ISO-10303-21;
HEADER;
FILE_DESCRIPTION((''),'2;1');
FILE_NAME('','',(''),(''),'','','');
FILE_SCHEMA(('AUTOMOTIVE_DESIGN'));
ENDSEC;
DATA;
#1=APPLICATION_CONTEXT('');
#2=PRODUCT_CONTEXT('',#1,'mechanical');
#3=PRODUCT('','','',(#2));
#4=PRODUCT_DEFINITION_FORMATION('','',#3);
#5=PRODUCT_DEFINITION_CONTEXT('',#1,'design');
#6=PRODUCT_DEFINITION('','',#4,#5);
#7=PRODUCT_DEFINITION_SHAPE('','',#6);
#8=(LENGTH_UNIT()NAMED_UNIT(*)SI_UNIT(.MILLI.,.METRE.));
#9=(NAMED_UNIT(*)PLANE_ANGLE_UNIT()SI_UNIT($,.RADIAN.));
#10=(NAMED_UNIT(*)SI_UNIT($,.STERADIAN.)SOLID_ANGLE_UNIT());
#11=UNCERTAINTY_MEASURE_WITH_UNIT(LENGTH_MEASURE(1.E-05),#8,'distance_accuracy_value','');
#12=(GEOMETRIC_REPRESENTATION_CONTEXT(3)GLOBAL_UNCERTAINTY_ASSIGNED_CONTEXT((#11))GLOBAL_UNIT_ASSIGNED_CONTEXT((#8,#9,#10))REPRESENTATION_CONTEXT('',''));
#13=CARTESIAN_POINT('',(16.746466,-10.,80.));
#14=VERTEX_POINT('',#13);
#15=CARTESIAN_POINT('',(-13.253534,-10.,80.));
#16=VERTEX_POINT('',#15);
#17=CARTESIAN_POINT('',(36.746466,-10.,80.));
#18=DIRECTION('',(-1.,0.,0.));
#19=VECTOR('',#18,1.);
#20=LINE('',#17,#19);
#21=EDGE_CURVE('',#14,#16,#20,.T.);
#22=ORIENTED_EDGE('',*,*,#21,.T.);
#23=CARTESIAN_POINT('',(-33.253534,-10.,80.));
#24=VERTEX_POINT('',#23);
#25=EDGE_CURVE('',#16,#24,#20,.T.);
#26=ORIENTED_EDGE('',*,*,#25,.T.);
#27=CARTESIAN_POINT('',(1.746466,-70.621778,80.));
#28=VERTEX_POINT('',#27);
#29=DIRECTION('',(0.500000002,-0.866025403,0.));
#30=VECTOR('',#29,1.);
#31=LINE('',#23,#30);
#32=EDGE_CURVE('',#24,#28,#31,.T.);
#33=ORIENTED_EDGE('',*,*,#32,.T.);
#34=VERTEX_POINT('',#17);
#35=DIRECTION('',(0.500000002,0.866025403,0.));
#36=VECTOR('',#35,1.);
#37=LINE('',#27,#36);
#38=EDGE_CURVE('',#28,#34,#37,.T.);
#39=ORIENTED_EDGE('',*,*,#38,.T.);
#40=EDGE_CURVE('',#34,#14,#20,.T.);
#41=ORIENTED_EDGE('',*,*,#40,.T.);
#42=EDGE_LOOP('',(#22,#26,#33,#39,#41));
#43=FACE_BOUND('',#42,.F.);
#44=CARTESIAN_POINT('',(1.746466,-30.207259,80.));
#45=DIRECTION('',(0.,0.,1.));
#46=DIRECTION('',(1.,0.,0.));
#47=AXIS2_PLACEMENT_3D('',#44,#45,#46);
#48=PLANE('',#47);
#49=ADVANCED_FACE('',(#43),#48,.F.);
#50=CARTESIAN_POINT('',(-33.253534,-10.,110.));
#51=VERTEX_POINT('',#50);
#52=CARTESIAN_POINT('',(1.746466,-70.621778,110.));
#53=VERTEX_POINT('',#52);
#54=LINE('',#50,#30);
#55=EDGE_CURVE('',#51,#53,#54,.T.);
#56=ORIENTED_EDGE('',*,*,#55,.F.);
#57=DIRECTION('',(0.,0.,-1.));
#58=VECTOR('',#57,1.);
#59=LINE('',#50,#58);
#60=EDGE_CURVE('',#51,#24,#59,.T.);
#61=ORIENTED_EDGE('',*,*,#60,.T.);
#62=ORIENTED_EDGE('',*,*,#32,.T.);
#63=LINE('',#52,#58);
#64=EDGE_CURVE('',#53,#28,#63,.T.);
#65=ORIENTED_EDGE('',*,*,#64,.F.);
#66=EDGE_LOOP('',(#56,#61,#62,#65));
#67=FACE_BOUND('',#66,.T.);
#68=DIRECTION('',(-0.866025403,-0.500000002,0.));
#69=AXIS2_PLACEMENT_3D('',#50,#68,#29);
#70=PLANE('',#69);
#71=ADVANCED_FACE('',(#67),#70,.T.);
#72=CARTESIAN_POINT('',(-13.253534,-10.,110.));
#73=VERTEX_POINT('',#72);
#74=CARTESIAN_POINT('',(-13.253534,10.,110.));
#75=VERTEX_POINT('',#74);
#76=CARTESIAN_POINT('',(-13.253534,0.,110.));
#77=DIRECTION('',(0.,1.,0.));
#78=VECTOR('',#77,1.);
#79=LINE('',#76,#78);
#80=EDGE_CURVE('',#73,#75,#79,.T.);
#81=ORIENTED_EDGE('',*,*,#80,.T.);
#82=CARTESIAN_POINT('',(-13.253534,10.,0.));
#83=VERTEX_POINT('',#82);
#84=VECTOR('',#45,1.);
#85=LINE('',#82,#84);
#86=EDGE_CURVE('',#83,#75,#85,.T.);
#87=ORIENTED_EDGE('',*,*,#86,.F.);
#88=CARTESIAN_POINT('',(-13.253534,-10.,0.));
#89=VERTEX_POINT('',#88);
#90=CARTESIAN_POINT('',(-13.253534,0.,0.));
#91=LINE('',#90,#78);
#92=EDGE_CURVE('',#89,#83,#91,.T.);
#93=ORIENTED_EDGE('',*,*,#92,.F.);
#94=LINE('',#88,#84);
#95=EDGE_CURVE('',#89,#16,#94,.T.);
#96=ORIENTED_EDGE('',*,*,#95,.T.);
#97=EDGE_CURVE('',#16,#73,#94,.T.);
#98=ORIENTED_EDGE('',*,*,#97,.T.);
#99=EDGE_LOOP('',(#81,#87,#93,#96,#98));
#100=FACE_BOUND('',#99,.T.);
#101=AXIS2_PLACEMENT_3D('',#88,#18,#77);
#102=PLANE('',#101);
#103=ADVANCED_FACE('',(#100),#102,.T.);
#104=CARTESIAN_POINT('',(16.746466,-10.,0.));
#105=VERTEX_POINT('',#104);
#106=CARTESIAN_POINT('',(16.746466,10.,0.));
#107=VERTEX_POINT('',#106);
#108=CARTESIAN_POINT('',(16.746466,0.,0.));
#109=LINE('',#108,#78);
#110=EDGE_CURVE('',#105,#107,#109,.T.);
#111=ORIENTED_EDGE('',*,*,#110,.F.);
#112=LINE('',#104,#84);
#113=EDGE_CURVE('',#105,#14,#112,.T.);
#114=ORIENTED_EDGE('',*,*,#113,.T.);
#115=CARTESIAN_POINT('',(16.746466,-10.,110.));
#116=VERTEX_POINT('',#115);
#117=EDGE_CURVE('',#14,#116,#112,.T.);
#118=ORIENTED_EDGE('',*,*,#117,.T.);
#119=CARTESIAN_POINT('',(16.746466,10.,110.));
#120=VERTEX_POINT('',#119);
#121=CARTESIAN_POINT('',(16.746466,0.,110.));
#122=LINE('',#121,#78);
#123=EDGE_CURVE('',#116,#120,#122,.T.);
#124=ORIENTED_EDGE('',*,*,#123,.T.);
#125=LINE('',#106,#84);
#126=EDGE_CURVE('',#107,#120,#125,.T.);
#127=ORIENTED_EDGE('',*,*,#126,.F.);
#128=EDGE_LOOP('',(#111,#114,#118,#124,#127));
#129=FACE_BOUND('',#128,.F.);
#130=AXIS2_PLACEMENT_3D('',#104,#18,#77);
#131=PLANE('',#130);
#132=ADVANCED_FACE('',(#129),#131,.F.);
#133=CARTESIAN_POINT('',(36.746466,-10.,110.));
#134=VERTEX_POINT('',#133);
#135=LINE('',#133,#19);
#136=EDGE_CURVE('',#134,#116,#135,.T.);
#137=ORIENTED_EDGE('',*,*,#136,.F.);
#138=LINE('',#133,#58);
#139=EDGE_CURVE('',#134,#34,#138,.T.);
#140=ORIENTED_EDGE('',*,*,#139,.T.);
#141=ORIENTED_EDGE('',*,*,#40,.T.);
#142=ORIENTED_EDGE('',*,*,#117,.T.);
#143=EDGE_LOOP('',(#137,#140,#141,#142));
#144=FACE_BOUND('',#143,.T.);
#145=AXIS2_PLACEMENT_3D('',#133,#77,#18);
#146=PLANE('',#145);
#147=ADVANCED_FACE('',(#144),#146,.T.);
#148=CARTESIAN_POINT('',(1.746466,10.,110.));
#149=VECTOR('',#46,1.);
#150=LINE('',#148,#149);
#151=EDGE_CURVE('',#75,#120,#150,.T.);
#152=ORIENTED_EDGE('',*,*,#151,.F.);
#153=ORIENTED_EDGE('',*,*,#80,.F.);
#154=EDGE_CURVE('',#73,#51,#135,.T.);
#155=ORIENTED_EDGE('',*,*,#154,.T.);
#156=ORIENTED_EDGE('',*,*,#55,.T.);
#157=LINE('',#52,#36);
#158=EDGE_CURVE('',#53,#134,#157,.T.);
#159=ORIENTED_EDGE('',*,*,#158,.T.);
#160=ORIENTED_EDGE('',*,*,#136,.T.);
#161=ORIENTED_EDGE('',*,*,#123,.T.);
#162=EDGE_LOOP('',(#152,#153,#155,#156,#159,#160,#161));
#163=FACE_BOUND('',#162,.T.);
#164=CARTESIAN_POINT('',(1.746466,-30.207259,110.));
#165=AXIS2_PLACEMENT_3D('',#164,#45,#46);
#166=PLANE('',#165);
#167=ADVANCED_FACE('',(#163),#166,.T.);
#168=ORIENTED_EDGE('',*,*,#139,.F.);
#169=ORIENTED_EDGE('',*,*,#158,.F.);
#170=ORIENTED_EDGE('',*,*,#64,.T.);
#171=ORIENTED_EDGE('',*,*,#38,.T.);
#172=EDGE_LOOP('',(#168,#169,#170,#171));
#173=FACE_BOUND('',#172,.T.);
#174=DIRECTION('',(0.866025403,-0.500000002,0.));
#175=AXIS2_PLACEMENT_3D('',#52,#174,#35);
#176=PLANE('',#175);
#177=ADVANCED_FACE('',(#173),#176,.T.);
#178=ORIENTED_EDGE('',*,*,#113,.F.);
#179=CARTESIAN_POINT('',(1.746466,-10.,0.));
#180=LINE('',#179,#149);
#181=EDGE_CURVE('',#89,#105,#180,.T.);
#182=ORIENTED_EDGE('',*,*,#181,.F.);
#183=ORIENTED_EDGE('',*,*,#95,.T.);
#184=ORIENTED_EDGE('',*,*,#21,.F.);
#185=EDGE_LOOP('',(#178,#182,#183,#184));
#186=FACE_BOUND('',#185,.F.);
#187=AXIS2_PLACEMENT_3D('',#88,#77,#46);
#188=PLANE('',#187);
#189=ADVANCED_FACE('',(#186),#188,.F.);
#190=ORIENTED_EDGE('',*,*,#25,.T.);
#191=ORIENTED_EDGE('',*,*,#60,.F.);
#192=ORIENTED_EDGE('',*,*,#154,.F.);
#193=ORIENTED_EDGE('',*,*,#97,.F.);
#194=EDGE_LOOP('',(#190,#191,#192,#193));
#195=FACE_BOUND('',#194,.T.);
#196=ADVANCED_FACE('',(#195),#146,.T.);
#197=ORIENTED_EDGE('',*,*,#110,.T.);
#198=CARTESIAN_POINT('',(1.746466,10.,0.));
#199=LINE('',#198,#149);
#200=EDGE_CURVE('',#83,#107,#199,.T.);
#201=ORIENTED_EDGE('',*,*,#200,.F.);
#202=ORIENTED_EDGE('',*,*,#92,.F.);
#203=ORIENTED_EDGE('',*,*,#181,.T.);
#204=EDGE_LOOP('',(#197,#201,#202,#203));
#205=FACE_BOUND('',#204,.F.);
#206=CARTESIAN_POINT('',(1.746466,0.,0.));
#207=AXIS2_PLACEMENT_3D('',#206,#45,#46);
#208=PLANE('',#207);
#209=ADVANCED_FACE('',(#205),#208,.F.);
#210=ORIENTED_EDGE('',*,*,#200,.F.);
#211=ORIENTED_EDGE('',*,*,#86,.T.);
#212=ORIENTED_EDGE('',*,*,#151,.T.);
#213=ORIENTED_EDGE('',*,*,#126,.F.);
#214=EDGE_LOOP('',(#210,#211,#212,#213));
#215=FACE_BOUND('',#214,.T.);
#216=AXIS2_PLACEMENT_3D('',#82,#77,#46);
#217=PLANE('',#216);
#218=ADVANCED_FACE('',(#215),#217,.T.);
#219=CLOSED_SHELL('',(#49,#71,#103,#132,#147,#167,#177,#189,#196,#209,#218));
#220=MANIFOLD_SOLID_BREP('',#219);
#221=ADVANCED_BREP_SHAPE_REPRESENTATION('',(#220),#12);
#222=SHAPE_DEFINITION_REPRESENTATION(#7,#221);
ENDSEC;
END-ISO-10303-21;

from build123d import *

# Parameters (mm, degrees)
F0_W     = 30
F0_H     = 20
F3_DEPTH = 110
F4_DEPTH = 30


with BuildPart() as f3:
    # F0 (on Top) → F3 (new body)
    with BuildSketch(Plane.XY):
        with Locations((1.746466, 0)):
            Rectangle(F0_W, F0_H)
    extrude(amount=F3_DEPTH)

    # F2 (on offset) → F4 (join)
    with BuildSketch(Plane.XY.offset(110)):
        Polygon((16.746466, -10), (-13.253534, -10), (-33.253534, -10), (1.746466, -70.621778), (36.746466, -10), align=None)
    extrude(amount=-F4_DEPTH)


solid = f3.part
